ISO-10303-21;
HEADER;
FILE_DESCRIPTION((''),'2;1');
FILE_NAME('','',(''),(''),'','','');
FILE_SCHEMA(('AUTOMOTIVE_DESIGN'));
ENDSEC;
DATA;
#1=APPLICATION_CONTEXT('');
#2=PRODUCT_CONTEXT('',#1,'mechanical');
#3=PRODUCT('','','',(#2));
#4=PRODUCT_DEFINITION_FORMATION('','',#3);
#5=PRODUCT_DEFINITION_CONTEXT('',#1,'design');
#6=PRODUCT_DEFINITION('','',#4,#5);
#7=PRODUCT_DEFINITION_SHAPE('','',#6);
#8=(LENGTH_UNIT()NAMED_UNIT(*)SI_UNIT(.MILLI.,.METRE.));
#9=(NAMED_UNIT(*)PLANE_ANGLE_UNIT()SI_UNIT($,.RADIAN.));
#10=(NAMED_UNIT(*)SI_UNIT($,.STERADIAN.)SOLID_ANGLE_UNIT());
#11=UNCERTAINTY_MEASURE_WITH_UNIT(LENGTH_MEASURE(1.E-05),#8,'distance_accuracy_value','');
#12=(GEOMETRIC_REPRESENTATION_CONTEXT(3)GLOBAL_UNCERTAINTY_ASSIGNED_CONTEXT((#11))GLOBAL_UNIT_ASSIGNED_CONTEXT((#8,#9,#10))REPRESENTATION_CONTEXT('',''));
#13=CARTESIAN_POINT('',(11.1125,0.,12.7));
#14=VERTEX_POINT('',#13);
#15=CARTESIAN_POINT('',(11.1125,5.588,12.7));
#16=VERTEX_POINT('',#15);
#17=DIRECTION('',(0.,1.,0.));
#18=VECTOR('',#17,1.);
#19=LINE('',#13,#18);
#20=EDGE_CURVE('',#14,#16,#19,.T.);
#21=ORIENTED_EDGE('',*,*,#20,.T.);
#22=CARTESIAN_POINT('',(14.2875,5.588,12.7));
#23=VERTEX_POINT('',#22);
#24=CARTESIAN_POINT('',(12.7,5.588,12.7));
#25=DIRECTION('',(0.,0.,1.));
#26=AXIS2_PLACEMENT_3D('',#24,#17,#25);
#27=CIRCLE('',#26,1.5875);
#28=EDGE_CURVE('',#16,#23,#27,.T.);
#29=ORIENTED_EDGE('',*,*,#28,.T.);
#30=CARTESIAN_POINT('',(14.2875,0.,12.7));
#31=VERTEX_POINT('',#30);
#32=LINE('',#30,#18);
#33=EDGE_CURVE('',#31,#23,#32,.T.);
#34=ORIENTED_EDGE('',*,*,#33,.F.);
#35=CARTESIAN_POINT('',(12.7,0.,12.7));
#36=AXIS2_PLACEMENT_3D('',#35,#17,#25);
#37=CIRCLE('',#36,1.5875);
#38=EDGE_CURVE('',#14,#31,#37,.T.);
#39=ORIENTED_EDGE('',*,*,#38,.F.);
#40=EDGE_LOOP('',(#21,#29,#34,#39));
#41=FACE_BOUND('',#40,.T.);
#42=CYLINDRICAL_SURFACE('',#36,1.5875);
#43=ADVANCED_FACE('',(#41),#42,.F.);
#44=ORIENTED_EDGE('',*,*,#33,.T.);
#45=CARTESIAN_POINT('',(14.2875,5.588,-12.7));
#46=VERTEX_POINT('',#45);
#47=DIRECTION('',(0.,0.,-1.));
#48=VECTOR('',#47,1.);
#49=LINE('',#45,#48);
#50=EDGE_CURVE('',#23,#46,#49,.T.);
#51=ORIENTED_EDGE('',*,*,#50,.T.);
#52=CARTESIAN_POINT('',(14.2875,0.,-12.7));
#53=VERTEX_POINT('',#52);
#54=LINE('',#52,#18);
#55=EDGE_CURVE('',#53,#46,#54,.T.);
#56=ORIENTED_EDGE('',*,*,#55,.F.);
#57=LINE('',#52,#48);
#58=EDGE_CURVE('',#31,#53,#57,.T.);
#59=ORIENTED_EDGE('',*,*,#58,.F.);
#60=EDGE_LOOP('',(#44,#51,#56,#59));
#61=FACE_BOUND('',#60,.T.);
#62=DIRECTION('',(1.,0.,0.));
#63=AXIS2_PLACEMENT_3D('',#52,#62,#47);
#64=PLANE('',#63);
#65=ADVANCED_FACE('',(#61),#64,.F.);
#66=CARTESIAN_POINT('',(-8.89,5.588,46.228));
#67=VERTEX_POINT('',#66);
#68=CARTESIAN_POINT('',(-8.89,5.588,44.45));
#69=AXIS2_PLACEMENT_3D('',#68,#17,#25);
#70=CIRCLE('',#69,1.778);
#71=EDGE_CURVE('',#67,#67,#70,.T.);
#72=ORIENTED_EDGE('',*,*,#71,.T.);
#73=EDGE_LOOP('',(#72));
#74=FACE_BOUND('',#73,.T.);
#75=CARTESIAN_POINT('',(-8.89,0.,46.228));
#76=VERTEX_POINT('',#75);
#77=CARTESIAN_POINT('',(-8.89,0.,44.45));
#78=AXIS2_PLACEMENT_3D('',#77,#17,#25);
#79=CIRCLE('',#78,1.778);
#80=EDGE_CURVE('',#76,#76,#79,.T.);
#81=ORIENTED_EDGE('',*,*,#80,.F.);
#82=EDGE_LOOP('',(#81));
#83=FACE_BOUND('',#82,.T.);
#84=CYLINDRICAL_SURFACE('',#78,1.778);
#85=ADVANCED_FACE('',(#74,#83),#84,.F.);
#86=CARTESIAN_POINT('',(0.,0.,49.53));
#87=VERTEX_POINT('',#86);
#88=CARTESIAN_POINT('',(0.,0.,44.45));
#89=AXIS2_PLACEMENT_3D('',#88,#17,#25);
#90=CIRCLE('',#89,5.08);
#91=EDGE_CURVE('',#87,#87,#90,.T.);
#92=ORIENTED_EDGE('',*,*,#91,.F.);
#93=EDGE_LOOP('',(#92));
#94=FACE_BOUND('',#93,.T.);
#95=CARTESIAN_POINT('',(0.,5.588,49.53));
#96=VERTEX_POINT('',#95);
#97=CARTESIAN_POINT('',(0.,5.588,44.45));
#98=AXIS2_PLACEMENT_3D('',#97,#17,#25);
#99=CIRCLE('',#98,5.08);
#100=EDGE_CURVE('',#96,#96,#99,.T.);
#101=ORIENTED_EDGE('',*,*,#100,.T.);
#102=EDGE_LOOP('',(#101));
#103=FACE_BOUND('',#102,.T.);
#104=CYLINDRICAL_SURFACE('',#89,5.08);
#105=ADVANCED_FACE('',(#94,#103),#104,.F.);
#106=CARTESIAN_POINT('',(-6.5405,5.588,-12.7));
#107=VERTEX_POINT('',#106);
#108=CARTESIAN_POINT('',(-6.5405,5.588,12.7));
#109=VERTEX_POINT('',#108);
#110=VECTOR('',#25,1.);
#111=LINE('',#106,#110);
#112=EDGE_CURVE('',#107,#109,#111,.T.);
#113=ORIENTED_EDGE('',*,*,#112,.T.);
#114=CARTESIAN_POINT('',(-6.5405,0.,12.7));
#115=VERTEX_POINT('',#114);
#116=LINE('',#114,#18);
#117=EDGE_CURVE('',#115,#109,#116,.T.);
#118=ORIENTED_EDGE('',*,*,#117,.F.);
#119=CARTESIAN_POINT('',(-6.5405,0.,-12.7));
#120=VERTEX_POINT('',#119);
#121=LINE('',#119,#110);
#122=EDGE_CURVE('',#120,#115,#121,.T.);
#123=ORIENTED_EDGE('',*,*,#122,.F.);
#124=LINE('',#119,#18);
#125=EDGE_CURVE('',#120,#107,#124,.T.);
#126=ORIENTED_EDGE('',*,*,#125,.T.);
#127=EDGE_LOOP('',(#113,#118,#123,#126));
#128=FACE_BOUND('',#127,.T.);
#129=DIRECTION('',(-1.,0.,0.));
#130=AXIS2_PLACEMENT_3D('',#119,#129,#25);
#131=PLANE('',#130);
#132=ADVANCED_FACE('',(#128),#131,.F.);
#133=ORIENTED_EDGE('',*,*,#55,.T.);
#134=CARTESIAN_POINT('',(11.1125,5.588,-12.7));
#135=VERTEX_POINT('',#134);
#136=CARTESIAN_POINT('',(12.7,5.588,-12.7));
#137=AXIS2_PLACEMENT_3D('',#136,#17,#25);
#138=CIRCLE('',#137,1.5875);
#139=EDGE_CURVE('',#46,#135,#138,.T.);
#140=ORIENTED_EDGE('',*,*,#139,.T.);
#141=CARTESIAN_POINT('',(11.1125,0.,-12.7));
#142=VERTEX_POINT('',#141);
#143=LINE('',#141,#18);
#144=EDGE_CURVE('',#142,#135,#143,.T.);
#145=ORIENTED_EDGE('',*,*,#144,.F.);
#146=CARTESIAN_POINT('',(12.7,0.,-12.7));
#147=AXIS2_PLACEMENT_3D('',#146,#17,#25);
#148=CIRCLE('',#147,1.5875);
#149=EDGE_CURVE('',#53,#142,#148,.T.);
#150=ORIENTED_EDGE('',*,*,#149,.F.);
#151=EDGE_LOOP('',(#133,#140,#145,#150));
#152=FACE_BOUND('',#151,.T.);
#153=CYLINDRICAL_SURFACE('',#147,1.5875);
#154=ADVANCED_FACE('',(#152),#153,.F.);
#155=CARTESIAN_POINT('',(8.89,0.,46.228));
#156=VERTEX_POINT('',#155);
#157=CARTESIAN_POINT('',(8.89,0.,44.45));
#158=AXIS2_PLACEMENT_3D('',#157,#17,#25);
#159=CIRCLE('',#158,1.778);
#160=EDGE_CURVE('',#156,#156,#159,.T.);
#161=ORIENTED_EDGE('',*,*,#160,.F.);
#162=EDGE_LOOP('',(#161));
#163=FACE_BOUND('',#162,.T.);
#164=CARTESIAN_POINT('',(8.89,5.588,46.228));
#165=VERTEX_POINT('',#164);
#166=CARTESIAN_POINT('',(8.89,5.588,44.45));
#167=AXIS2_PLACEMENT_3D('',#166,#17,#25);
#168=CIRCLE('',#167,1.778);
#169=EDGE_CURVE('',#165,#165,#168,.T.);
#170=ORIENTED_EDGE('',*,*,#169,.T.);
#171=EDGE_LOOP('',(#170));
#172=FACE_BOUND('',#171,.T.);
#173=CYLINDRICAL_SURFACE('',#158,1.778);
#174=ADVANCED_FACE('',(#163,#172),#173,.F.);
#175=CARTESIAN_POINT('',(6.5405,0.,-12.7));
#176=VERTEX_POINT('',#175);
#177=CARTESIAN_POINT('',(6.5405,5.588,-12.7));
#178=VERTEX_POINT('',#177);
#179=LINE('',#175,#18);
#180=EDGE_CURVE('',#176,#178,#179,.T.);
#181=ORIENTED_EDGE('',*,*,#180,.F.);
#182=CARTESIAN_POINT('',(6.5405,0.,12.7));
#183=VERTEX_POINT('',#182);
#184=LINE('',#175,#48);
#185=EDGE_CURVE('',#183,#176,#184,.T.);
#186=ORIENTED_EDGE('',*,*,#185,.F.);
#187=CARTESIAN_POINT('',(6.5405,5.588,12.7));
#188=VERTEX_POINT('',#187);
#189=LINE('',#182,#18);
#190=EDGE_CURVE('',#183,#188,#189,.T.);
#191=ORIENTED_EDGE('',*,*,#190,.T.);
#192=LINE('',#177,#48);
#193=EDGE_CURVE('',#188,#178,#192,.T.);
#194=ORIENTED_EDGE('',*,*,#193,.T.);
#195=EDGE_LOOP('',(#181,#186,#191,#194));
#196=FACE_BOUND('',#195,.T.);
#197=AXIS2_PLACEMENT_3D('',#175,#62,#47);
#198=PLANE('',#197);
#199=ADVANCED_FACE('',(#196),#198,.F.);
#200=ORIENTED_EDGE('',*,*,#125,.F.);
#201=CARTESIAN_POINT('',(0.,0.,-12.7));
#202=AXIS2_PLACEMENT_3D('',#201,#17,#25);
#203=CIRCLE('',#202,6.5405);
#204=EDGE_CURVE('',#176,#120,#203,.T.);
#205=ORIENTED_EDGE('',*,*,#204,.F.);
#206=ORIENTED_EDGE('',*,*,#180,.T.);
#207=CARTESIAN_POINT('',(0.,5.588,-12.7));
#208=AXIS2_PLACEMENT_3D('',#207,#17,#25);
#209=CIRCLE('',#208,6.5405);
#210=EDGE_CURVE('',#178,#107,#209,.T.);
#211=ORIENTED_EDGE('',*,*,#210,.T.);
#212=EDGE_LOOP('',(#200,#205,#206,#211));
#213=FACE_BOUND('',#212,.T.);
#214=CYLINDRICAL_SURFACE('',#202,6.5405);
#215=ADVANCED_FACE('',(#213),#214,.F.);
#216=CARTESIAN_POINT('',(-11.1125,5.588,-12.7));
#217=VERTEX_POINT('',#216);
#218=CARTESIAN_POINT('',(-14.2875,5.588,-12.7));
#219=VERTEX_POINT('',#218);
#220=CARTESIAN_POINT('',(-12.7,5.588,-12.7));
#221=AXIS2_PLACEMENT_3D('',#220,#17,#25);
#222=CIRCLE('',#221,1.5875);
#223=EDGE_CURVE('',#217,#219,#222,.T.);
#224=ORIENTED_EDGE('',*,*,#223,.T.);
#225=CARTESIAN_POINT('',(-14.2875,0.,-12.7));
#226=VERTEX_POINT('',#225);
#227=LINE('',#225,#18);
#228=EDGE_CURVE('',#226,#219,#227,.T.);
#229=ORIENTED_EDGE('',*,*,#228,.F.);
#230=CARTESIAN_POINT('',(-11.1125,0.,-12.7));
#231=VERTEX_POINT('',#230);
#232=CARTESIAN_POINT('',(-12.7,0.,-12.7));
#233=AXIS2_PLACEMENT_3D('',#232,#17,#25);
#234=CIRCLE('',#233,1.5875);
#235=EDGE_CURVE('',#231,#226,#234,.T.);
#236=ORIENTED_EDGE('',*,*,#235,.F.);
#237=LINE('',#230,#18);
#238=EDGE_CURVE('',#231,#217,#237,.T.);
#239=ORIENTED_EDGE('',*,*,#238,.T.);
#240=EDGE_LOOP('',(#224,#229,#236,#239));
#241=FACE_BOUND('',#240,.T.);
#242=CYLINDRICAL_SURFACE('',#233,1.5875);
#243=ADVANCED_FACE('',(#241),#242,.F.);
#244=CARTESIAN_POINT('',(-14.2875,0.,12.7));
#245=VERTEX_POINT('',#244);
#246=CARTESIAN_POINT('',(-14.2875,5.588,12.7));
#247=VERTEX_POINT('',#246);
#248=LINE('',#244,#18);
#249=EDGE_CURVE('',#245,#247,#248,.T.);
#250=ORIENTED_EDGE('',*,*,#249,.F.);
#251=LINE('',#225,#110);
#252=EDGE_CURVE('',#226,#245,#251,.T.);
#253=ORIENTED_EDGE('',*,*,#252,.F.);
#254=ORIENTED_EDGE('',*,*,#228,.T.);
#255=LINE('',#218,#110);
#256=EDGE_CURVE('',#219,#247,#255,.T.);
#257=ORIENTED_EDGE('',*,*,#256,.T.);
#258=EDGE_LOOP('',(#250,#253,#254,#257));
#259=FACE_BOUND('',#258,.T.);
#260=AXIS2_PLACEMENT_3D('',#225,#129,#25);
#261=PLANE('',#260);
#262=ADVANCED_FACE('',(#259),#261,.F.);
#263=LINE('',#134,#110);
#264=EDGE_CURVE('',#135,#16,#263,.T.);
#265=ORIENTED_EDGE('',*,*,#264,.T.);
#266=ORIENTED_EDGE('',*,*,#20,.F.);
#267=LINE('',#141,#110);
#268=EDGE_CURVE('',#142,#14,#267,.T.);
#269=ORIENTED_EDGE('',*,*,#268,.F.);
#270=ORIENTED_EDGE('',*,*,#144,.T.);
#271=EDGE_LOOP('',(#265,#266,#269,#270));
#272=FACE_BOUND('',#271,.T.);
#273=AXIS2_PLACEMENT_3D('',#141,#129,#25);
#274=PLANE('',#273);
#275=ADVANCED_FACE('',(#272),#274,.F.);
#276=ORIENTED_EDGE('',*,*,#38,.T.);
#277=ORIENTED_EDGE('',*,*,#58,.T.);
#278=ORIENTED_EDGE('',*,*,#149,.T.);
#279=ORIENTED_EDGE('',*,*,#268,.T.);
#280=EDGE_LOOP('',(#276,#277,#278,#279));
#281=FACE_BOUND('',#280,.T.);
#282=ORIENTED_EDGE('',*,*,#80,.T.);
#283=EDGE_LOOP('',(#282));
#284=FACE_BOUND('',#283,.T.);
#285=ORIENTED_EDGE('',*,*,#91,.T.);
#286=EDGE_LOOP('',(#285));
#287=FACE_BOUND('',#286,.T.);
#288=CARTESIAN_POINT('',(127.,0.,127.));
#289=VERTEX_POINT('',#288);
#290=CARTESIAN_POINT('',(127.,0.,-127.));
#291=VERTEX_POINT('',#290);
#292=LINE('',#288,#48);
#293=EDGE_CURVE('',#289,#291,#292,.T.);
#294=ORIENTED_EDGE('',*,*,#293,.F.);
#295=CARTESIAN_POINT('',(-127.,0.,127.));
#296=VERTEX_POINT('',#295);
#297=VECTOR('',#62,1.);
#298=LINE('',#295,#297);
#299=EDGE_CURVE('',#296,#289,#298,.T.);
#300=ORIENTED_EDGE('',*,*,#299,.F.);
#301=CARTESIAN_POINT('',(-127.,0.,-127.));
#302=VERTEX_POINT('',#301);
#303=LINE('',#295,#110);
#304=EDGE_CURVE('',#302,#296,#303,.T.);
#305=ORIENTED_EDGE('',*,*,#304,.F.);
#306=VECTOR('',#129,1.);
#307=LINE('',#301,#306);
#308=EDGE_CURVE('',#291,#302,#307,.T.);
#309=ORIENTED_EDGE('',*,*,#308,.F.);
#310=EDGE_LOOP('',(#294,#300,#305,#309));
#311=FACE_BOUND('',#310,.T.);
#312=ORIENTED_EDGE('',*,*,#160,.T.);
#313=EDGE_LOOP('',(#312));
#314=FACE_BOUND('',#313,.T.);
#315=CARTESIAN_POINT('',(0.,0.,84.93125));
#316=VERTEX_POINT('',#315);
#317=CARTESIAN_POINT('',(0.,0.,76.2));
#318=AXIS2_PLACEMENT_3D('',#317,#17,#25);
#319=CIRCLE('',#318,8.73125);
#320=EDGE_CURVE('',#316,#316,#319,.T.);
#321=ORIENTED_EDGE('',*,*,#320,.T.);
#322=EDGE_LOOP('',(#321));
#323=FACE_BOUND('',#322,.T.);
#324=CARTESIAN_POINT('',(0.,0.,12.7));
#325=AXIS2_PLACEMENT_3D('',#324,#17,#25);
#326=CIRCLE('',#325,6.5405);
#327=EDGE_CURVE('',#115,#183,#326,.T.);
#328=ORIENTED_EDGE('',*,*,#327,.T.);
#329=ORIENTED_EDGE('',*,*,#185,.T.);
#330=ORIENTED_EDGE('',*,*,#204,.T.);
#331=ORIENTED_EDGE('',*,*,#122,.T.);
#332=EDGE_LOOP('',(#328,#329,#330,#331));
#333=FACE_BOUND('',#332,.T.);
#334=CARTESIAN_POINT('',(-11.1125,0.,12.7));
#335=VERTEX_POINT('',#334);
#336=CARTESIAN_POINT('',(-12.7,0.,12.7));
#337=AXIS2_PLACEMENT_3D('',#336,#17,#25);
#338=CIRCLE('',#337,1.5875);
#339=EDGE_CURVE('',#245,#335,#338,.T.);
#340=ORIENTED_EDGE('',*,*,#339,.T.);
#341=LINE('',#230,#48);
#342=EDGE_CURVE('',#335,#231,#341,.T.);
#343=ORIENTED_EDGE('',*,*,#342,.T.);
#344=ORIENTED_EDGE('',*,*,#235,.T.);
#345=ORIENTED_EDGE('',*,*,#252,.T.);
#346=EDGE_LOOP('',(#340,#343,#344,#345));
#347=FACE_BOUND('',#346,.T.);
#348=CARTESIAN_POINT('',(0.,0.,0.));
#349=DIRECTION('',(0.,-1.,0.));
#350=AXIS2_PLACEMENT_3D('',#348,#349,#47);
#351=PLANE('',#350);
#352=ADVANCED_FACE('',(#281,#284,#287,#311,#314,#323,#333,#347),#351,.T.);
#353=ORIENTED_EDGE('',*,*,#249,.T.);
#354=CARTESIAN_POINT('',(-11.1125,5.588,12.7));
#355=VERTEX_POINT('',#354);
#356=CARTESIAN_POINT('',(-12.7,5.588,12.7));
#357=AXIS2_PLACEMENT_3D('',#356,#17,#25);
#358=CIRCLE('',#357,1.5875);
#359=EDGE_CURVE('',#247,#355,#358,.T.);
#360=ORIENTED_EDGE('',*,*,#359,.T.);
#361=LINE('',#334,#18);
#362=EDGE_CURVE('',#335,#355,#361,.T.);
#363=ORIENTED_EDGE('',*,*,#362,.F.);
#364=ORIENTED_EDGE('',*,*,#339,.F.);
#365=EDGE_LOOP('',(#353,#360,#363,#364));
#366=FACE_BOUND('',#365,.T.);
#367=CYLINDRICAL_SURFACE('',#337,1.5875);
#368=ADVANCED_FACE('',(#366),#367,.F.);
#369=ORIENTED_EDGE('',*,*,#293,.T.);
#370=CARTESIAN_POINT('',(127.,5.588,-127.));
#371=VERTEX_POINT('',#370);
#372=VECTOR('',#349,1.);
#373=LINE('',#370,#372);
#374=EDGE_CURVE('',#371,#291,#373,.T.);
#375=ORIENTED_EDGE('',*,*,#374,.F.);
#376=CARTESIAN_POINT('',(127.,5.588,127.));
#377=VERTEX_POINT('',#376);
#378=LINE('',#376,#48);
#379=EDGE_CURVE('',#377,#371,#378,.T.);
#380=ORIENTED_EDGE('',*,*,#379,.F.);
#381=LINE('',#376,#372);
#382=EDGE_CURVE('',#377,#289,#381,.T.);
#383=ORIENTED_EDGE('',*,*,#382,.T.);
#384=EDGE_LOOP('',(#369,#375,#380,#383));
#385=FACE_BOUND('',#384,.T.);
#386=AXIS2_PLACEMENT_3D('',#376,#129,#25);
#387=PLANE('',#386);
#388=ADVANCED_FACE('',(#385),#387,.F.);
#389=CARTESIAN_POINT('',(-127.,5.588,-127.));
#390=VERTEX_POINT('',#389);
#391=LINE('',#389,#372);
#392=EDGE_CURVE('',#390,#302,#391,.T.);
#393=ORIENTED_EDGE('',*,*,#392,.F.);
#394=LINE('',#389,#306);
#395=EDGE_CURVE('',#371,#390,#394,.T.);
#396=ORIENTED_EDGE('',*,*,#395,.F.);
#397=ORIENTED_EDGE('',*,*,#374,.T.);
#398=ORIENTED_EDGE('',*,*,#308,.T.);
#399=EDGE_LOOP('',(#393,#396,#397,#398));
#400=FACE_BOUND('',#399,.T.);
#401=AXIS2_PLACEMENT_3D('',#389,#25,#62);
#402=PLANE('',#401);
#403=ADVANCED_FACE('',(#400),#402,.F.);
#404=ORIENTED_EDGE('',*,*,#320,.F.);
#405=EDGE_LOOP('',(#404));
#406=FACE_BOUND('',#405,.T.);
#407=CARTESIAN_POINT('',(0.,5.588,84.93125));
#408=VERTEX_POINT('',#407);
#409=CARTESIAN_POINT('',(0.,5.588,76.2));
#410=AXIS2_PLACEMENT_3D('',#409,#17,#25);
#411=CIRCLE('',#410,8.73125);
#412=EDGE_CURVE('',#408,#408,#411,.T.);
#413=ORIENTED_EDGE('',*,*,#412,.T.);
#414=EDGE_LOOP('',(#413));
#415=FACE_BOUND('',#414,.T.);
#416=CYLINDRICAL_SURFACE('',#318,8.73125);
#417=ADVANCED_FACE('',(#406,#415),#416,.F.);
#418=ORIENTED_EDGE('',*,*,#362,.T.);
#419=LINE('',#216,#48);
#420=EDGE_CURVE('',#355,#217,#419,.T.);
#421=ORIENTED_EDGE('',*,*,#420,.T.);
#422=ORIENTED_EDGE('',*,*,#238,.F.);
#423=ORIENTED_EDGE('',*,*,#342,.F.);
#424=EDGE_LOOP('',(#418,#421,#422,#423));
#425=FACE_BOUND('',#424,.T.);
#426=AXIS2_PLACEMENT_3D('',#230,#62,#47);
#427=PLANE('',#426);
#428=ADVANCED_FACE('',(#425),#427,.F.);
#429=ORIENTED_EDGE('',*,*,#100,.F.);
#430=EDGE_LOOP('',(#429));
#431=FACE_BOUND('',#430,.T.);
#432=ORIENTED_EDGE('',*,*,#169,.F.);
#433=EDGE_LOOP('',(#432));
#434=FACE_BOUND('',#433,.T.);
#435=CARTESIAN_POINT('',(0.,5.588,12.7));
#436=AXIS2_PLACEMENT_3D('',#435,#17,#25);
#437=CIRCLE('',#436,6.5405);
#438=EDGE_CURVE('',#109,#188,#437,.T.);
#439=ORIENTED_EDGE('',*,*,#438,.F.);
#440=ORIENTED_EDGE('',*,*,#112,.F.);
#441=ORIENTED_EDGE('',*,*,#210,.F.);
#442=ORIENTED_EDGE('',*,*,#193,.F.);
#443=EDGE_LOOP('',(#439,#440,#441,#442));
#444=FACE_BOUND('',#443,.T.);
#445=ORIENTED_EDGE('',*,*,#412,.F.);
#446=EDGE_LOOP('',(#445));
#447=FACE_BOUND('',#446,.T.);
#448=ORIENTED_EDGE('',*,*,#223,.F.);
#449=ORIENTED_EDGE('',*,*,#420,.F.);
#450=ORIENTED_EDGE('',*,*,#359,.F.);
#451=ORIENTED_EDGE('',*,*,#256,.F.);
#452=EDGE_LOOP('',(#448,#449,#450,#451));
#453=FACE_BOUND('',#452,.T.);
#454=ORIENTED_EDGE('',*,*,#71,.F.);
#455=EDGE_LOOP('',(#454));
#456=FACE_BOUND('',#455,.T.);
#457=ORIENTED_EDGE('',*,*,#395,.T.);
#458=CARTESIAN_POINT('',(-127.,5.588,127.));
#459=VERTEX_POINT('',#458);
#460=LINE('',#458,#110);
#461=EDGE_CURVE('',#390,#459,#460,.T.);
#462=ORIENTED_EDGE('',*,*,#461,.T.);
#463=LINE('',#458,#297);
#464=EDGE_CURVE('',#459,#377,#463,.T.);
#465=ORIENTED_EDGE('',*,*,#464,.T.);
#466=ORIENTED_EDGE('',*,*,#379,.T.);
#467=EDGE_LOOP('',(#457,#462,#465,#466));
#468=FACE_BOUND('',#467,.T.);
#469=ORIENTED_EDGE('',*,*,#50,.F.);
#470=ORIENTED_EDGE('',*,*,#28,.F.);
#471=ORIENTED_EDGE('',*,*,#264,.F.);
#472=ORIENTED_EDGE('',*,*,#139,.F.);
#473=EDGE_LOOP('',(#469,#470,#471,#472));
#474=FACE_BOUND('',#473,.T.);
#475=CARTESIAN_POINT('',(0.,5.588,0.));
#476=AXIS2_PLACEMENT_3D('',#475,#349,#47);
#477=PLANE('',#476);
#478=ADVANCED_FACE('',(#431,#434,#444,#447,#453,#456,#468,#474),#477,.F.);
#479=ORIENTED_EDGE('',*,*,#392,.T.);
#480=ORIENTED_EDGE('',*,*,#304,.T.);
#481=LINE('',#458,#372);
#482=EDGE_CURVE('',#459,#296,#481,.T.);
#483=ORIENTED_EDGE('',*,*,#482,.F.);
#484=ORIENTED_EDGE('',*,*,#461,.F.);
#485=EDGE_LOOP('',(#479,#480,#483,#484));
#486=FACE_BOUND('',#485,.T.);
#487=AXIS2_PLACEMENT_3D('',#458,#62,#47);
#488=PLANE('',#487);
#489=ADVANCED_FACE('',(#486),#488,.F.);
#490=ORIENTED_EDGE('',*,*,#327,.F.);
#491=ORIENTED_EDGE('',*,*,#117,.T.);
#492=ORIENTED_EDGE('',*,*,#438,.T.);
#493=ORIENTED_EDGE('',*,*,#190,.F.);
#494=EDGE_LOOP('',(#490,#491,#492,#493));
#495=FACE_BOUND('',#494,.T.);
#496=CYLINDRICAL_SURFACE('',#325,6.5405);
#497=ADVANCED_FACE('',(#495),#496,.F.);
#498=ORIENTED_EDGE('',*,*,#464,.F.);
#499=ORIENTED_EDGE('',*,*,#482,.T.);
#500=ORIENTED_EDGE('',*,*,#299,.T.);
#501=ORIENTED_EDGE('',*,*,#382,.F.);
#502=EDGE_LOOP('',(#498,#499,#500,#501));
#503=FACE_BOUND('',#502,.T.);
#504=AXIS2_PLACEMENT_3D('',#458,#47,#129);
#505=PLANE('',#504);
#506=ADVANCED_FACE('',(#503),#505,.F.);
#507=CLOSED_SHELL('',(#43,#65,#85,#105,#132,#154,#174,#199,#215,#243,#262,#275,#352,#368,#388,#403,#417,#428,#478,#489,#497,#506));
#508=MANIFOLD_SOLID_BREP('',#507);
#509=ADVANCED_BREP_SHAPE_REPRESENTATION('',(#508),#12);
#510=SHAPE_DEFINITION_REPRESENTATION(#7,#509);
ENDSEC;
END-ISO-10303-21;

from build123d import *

# Parameters (mm, degrees)
SKETCH1_W           = 254
SKETCH1_H           = 254
BOSS_EXTRUDE1_DEPTH = 5.588
SKETCH2_R           = 8.73125
SKETCH2_R_2         = 5.08
SKETCH2_R_3         = 1.778
CUT_EXTRUDE1_DEPTH  = 180.692030274


with BuildPart() as part:
    # Sketch1 → Boss-Extrude1 (new body)
    with BuildSketch(Plane(origin=(0, 0, 0), x_dir=(1, 0, 0), z_dir=(0, 1, 0))):
        Rectangle(SKETCH1_W, SKETCH1_H)
    extrude(amount=BOSS_EXTRUDE1_DEPTH)

    # Sketch2 → Cut-Extrude1 (cut, through all)
    with BuildSketch(Plane(origin=(0, 5.588, 0), x_dir=(1, 0, 0), z_dir=(0, 1, 0))):
        with Locations(Location((0, -76.2, 0), (0, 0, 270))):
            Circle(SKETCH2_R)
        with Locations(Location((0, -44.45, 0), (0, 0, 270))):
            Circle(SKETCH2_R_2)
        with Locations(Location((-8.89, -44.45, 0), (0, 0, 270))):
            Circle(SKETCH2_R_3)
        with Locations(Location((8.89, -44.45, 0), (0, 0, 270))):
            Circle(SKETCH2_R_3)
        with BuildLine():
            Line((6.5405, 12.7), (6.5405, -12.7))
            ThreePointArc((6.5405, -12.7), (0, -19.2405), (-6.5405, -12.7))
            Line((-6.5405, -12.7), (-6.5405, 12.7))
            ThreePointArc((-6.5405, 12.7), (0, 19.2405), (6.5405, 12.7))
        make_face()
        with BuildLine():
            Line((-11.1125, 12.7), (-11.1125, -12.7))
            ThreePointArc((-11.1125, -12.7), (-12.7, -14.2875), (-14.2875, -12.7))
            Line((-14.2875, -12.7), (-14.2875, 12.7))
            ThreePointArc((-14.2875, 12.7), (-12.7, 14.2875), (-11.1125, 12.7))
        make_face()
        with BuildLine():
            Line((14.2875, 12.7), (14.2875, -12.7))
            ThreePointArc((14.2875, -12.7), (12.7, -14.2875), (11.1125, -12.7))
            Line((11.1125, -12.7), (11.1125, 12.7))
            ThreePointArc((11.1125, 12.7), (12.7, 14.2875), (14.2875, 12.7))
        make_face()
    extrude(amount=-CUT_EXTRUDE1_DEPTH, mode=Mode.SUBTRACT)


solid = part.part
